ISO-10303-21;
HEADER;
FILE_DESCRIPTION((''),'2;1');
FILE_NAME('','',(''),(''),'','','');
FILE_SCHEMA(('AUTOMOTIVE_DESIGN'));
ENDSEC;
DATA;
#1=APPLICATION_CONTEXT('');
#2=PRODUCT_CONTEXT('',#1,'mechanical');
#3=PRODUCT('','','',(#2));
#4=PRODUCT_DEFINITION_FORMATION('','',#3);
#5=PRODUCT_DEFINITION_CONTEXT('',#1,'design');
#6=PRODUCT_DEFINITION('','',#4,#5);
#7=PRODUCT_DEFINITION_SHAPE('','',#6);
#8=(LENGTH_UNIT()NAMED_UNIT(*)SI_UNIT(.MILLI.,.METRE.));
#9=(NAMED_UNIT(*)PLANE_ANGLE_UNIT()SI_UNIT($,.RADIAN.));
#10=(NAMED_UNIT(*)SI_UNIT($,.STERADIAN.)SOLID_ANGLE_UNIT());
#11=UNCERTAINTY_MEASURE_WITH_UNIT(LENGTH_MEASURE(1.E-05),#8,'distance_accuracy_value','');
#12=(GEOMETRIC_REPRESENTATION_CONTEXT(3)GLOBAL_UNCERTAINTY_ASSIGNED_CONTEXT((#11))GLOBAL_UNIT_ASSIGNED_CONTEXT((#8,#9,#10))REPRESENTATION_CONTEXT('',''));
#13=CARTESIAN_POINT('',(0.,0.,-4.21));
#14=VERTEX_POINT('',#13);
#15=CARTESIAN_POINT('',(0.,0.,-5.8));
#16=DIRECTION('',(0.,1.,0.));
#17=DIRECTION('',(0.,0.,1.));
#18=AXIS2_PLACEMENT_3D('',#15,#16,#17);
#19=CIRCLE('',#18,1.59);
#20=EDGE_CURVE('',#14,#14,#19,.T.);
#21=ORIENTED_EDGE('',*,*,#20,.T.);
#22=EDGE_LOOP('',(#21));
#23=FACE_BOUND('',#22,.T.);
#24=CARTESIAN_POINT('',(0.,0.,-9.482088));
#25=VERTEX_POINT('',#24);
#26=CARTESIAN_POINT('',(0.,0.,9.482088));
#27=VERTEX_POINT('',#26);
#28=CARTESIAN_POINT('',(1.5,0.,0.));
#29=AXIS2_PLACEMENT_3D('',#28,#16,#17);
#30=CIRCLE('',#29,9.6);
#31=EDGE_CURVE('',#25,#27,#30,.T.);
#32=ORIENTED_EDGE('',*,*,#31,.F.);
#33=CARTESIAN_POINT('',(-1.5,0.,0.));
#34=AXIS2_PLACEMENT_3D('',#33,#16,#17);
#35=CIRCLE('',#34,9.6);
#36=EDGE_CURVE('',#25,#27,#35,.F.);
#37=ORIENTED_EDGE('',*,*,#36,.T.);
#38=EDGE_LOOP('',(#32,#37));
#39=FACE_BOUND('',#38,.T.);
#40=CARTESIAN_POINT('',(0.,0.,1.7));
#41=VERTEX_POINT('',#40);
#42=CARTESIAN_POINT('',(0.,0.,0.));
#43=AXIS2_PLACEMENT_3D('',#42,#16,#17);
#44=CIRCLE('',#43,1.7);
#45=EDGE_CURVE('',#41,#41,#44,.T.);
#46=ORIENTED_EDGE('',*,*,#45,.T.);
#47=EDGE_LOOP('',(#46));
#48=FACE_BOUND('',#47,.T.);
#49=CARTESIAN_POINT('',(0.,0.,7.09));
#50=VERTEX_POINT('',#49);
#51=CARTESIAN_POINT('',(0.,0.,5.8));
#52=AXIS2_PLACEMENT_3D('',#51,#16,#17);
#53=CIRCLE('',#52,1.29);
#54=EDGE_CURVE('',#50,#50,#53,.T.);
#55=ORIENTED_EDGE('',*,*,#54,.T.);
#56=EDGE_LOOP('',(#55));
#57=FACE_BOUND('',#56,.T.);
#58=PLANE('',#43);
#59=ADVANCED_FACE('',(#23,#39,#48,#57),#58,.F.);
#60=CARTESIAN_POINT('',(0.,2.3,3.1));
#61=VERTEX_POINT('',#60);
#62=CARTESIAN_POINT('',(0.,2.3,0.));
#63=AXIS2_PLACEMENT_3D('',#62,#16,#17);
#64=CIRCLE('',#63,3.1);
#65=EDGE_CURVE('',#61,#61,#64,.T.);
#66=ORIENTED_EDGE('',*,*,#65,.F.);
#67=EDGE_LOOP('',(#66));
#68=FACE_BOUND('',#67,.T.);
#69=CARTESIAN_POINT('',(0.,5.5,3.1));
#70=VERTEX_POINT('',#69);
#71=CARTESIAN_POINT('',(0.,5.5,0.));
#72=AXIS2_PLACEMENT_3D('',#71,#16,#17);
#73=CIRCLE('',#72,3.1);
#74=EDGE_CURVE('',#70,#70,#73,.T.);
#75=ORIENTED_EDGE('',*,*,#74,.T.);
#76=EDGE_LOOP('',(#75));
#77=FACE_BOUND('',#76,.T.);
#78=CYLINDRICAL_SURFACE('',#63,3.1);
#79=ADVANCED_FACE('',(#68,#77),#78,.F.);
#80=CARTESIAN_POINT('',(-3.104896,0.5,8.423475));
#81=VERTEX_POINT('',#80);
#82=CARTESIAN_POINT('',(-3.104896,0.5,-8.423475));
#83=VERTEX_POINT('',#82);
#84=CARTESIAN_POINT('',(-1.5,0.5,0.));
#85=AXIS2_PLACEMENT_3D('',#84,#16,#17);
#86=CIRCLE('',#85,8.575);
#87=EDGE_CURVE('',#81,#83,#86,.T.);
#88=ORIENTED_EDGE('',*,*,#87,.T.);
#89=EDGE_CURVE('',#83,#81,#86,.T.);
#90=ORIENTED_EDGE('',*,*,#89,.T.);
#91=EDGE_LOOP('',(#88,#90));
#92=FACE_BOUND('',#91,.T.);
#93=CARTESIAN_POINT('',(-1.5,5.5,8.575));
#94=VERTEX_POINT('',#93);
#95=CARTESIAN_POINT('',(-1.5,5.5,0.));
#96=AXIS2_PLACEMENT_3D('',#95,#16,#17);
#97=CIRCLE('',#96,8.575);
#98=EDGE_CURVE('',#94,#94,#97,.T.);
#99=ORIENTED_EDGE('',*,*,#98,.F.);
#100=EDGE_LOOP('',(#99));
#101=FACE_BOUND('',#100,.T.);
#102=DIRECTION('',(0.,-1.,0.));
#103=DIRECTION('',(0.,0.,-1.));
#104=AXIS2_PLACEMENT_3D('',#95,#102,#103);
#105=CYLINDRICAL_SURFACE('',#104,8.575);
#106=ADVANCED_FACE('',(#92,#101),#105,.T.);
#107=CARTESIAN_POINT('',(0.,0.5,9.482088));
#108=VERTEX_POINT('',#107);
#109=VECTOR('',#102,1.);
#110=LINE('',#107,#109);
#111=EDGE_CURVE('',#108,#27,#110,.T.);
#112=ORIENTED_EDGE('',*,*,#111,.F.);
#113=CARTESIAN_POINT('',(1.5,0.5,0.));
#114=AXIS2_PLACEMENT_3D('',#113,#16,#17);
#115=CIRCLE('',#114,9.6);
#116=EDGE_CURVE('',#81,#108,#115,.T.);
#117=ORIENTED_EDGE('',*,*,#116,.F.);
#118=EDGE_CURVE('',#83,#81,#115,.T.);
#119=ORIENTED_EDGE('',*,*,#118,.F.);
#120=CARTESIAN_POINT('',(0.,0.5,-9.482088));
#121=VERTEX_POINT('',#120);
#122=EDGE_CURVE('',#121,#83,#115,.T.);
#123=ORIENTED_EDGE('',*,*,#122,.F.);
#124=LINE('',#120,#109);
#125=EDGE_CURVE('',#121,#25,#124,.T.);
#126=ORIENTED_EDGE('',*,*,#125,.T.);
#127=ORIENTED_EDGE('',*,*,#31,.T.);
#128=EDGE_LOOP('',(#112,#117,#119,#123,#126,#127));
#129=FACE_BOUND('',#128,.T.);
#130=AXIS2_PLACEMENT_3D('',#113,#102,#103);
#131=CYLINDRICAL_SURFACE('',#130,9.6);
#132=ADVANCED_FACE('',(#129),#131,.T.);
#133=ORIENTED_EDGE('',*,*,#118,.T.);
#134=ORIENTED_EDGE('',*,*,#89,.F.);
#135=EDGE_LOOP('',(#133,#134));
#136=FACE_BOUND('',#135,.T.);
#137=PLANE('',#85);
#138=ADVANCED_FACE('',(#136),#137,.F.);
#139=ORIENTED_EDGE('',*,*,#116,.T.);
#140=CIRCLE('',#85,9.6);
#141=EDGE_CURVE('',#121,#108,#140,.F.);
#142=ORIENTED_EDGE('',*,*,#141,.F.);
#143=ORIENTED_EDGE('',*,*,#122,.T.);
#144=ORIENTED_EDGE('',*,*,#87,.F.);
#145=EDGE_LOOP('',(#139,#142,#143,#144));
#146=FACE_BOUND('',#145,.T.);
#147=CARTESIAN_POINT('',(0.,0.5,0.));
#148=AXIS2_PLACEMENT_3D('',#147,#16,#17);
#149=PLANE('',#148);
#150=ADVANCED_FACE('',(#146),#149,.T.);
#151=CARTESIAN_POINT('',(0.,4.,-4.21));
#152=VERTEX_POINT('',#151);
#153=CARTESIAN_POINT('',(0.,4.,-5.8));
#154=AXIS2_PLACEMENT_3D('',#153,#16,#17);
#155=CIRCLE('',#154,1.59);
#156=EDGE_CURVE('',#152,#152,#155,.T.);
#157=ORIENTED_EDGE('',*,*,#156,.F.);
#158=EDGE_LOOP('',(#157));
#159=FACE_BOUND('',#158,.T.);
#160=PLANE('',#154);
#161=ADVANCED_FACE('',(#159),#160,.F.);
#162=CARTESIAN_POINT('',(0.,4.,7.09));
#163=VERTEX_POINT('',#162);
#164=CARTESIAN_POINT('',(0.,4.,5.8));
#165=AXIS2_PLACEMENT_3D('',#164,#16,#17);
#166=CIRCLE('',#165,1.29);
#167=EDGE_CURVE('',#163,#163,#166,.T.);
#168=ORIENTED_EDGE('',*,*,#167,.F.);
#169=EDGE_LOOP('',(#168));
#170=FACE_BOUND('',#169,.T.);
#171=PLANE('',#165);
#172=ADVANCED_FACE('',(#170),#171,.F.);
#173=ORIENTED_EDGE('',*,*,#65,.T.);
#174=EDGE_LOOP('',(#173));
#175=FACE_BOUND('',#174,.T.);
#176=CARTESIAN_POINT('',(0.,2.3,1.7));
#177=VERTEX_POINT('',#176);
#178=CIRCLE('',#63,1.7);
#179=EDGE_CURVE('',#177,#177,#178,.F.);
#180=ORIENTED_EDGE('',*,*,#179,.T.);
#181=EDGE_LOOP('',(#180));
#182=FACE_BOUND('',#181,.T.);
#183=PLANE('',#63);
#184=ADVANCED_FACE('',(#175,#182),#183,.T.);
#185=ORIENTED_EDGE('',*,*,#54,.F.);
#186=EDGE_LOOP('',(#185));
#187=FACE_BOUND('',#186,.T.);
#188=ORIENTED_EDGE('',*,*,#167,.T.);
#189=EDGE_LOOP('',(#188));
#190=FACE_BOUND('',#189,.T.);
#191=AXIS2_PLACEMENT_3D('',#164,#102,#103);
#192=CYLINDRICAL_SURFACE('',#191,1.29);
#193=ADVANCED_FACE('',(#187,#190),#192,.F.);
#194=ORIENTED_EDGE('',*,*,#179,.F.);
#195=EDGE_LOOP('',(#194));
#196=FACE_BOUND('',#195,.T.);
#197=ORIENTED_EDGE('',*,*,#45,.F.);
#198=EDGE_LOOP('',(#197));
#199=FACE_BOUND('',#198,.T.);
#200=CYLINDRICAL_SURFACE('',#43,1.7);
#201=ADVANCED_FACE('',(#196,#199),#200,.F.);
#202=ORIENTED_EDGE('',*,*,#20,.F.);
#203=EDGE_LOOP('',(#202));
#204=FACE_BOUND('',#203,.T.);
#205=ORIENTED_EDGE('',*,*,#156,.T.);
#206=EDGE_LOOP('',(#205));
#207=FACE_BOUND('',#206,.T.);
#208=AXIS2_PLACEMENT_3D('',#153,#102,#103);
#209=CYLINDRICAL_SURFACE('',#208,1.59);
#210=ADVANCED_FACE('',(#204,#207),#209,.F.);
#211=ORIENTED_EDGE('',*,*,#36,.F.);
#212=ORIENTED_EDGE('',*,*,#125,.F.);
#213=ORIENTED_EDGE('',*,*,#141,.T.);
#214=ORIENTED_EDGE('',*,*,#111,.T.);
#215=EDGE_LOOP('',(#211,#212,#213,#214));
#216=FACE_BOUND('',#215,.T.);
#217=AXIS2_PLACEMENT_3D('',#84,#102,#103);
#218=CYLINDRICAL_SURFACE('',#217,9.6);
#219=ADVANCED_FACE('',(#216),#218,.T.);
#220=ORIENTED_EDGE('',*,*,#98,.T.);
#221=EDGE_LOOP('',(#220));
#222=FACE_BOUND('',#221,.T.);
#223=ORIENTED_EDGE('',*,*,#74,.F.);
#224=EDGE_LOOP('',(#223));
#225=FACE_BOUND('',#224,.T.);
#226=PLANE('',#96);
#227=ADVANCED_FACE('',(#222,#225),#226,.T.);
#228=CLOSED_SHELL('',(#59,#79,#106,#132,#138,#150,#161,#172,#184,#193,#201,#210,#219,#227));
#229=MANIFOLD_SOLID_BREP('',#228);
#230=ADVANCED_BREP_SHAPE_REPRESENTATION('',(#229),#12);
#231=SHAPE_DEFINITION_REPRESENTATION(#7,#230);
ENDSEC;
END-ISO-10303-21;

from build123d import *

# Parameters (mm, degrees)
BOSS_EXTRUDE1_DEPTH = 0.5
SKETCH2_R           = 8.575
BOSS_EXTRUDE2_DEPTH = 5
SKETCH3_R           = 1.59
SKETCH3_R_2         = 1.29
CUT_EXTRUDE1_DEPTH  = 4
SKETCH4_R           = 1.7
CUT_EXTRUDE2_DEPTH  = 15.888439307
SKETCH5_R           = 3.1
CUT_EXTRUDE3_DEPTH  = 3.2


with BuildPart() as part:
    # Sketch1 → Boss-Extrude1 (new body)
    with BuildSketch(Plane(origin=(0, 0, 0), x_dir=(1, 0, 0), z_dir=(0, 1, 0))):
        with BuildLine():
            ThreePointArc((8.1, 0), (5.799315036, 6.235382907), (0, 9.482088378))
            ThreePointArc((0, 9.482088378), (-8.1, 0), (0, -9.482088378))
            ThreePointArc((0, -9.482088378), (5.799315036, -6.235382907), (8.1, 0))
        make_face()
    extrude(amount=BOSS_EXTRUDE1_DEPTH)

    # Sketch2 → Boss-Extrude2 (add)
    with BuildSketch(Plane(origin=(0, 0.5, 0), x_dir=(1, 0, 0), z_dir=(0, 1, 0))):
        with Locations(Location((-1.5, 0, 0), (0, 0, 100.787083295))):
            Circle(SKETCH2_R)
    extrude(amount=BOSS_EXTRUDE2_DEPTH)

    # Sketch3 → Cut-Extrude1 (cut)
    with BuildSketch(Plane(origin=(0, 0, 0), x_dir=(1, 0, 0), z_dir=(0, 1, 0))):
        with Locations(Location((0, 5.8, 0), (0, 0, 270))):
            Circle(SKETCH3_R)
        with Locations(Location((0, -5.8, 0), (0, 0, 270))):
            Circle(SKETCH3_R_2)
    extrude(amount=CUT_EXTRUDE1_DEPTH, mode=Mode.SUBTRACT)

    # Sketch4 → Cut-Extrude2 (cut, through all)
    with BuildSketch(Plane(origin=(0, 5.5, 0), x_dir=(1, 0, 0), z_dir=(0, 1, 0))):
        with Locations(Location((0, 0, 0), (0, 0, 270))):
            Circle(SKETCH4_R)
    extrude(amount=-CUT_EXTRUDE2_DEPTH, mode=Mode.SUBTRACT)

    # Sketch5 → Cut-Extrude3 (cut)
    with BuildSketch(Plane(origin=(0, 5.5, 0), x_dir=(1, 0, 0), z_dir=(0, 1, 0))):
        with Locations(Location((0, 0, 0), (0, 0, 270))):
            Circle(SKETCH5_R)
    extrude(amount=-CUT_EXTRUDE3_DEPTH, mode=Mode.SUBTRACT)


solid = part.part
